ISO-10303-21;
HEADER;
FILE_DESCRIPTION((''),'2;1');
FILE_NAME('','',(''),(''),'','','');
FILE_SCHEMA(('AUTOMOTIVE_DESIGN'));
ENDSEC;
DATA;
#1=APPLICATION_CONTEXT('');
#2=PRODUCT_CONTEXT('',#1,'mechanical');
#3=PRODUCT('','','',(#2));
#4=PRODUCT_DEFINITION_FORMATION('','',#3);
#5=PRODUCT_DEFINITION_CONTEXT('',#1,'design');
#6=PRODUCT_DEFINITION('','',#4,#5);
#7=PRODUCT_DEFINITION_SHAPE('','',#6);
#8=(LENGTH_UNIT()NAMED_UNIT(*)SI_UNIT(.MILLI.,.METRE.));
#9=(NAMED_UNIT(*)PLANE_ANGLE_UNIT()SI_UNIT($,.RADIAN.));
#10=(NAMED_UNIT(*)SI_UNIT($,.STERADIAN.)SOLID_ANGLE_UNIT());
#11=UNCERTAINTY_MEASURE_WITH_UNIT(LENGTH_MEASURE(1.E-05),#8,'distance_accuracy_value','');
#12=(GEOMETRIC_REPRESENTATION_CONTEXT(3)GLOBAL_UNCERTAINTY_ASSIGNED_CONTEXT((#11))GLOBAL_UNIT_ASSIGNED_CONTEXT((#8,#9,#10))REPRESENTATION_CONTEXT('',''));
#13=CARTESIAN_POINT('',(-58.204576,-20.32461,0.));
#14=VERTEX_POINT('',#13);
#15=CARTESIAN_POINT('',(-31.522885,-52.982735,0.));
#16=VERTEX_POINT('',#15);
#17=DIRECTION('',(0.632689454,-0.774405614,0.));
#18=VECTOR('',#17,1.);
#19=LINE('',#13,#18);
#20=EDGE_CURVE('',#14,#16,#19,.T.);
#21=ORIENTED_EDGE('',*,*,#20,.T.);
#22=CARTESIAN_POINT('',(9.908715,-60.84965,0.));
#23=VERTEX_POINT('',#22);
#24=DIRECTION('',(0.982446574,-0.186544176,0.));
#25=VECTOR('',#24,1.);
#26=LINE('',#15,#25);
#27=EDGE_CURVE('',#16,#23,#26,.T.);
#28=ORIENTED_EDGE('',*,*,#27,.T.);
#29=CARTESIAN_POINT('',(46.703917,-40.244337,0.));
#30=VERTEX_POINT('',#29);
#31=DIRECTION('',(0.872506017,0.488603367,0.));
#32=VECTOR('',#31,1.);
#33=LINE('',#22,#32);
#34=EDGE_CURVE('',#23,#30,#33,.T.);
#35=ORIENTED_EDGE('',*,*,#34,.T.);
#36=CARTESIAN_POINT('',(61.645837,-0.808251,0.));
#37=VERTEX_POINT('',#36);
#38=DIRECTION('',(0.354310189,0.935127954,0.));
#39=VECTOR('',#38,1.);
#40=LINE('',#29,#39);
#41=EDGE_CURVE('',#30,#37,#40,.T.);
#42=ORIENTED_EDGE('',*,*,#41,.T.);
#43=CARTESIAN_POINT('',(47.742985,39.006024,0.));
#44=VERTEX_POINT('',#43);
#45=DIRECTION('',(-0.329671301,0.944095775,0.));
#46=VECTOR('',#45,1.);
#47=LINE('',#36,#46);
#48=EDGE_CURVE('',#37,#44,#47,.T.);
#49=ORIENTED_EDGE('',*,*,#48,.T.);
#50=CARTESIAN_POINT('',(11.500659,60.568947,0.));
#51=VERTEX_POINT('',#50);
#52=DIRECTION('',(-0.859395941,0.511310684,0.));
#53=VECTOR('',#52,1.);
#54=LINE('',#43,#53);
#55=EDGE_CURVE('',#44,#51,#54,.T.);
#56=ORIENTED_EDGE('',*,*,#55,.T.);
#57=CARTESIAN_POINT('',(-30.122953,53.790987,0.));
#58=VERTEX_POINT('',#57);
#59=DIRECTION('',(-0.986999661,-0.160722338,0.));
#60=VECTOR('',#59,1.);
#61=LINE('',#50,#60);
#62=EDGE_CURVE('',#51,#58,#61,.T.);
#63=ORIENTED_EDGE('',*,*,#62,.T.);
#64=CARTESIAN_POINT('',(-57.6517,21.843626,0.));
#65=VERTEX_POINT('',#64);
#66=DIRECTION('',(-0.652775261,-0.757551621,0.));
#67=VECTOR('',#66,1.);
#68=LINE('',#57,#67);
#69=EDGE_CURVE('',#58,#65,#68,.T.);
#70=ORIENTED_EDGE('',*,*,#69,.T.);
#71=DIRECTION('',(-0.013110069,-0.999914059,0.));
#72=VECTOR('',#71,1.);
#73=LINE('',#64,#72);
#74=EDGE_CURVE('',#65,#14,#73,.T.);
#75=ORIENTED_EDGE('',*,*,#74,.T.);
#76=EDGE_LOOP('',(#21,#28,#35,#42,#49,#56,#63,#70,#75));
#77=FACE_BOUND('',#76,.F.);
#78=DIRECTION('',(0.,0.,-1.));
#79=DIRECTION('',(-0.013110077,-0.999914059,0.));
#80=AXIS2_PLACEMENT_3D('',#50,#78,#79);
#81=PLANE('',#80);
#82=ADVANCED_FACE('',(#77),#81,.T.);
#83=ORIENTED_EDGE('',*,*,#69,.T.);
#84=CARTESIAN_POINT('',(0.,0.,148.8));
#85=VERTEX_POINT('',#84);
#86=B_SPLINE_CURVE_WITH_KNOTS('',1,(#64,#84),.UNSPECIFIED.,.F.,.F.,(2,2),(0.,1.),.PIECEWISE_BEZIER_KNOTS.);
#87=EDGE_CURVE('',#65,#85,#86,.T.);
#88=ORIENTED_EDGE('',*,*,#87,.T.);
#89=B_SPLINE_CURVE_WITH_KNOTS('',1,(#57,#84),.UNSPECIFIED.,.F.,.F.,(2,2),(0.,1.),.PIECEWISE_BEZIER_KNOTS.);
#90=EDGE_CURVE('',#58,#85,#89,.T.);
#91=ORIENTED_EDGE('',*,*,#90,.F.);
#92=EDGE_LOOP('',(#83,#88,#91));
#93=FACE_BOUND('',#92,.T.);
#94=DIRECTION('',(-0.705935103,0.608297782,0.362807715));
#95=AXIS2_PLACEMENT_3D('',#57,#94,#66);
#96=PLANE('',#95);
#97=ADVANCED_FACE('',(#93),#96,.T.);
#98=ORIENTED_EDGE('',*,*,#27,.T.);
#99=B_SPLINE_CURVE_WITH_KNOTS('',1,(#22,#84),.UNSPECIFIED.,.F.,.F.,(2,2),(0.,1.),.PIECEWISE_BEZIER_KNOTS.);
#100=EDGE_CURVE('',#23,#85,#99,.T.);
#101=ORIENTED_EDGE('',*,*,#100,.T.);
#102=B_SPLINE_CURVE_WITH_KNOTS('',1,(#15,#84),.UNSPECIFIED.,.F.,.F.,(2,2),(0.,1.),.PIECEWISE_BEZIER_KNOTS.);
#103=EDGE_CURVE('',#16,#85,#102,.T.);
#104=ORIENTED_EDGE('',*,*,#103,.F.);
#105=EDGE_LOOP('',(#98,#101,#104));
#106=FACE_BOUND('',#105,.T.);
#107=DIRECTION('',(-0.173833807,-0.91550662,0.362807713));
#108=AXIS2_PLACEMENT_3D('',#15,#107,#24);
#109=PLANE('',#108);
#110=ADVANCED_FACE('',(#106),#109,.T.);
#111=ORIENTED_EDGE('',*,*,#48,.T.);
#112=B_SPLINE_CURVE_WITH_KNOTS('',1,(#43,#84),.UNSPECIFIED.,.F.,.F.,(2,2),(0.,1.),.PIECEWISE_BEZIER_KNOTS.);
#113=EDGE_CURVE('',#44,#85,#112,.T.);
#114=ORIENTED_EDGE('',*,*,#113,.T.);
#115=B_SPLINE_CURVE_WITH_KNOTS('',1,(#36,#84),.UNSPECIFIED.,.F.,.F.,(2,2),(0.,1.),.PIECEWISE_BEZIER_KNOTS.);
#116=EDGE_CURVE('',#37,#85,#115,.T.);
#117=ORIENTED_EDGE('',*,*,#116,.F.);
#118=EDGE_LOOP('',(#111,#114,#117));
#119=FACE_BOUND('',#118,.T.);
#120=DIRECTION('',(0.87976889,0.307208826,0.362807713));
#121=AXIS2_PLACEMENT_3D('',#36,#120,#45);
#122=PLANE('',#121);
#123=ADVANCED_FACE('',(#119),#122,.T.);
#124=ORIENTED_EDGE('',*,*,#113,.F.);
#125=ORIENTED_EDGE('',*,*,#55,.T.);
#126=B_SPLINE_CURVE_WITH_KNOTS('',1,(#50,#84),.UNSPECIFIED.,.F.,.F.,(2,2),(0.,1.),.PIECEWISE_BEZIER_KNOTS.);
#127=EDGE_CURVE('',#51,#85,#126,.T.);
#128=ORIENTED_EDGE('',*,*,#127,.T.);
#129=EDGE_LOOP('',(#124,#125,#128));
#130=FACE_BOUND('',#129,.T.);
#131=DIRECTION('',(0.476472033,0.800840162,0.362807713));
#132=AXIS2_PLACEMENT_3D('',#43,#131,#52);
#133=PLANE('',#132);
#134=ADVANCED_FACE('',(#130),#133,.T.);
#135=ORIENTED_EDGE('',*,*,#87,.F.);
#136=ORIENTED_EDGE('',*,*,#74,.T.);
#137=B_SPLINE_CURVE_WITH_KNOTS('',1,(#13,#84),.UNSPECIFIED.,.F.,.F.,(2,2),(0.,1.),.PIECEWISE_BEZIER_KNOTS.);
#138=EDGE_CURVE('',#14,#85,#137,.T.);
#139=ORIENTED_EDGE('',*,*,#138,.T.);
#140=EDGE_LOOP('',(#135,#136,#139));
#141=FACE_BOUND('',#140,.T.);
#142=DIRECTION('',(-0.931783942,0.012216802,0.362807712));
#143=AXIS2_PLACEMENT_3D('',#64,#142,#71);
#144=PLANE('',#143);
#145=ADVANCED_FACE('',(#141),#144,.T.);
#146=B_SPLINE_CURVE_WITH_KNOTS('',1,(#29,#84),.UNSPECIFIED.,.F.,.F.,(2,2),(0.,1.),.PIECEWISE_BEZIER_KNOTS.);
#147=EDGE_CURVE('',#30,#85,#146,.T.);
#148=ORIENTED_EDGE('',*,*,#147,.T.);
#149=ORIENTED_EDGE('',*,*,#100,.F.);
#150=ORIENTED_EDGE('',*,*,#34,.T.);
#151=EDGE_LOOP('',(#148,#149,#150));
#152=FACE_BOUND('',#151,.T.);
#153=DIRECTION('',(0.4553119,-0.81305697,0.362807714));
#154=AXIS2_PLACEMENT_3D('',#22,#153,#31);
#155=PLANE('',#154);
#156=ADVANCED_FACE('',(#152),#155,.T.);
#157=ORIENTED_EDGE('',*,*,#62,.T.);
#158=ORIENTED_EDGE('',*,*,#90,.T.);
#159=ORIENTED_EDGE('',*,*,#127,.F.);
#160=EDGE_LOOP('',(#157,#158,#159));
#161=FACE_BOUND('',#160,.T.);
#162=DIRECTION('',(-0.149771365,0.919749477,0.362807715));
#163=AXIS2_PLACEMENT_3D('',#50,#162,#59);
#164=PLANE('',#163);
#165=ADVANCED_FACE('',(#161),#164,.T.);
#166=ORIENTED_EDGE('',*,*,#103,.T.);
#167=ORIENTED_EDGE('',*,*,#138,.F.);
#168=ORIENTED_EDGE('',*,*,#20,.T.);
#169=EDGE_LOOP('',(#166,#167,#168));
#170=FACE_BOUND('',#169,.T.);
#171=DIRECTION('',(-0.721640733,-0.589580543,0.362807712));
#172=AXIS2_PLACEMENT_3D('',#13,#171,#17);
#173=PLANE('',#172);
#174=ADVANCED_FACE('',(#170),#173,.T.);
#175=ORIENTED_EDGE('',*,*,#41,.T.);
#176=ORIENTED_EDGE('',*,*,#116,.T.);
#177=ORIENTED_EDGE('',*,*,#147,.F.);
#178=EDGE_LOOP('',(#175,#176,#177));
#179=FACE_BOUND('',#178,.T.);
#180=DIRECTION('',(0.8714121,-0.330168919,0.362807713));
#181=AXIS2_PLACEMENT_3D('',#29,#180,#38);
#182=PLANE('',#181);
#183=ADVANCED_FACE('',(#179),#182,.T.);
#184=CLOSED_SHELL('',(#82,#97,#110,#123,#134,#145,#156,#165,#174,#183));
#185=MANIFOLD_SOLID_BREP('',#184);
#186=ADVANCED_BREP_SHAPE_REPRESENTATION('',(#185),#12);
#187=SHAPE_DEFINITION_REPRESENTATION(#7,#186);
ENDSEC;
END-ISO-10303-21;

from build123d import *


with BuildPart() as f3:
    # F0 (on Top) → F3 section 0
    with BuildSketch(Plane.XY, mode=Mode.PRIVATE) as f3_s0:
        Polygon((11.500659, 60.568947), (-30.122953, 53.790987), (-57.6517, 21.843626), (-58.204576, -20.32461), (-31.522885, -52.982735), (9.908715, -60.84965), (46.703917, -40.244337), (61.645837, -0.808251), (47.742985, 39.006024), align=None)
    loft([f3_s0.sketch, Vertex(0, 0, 148.8)])


solid = f3.part
